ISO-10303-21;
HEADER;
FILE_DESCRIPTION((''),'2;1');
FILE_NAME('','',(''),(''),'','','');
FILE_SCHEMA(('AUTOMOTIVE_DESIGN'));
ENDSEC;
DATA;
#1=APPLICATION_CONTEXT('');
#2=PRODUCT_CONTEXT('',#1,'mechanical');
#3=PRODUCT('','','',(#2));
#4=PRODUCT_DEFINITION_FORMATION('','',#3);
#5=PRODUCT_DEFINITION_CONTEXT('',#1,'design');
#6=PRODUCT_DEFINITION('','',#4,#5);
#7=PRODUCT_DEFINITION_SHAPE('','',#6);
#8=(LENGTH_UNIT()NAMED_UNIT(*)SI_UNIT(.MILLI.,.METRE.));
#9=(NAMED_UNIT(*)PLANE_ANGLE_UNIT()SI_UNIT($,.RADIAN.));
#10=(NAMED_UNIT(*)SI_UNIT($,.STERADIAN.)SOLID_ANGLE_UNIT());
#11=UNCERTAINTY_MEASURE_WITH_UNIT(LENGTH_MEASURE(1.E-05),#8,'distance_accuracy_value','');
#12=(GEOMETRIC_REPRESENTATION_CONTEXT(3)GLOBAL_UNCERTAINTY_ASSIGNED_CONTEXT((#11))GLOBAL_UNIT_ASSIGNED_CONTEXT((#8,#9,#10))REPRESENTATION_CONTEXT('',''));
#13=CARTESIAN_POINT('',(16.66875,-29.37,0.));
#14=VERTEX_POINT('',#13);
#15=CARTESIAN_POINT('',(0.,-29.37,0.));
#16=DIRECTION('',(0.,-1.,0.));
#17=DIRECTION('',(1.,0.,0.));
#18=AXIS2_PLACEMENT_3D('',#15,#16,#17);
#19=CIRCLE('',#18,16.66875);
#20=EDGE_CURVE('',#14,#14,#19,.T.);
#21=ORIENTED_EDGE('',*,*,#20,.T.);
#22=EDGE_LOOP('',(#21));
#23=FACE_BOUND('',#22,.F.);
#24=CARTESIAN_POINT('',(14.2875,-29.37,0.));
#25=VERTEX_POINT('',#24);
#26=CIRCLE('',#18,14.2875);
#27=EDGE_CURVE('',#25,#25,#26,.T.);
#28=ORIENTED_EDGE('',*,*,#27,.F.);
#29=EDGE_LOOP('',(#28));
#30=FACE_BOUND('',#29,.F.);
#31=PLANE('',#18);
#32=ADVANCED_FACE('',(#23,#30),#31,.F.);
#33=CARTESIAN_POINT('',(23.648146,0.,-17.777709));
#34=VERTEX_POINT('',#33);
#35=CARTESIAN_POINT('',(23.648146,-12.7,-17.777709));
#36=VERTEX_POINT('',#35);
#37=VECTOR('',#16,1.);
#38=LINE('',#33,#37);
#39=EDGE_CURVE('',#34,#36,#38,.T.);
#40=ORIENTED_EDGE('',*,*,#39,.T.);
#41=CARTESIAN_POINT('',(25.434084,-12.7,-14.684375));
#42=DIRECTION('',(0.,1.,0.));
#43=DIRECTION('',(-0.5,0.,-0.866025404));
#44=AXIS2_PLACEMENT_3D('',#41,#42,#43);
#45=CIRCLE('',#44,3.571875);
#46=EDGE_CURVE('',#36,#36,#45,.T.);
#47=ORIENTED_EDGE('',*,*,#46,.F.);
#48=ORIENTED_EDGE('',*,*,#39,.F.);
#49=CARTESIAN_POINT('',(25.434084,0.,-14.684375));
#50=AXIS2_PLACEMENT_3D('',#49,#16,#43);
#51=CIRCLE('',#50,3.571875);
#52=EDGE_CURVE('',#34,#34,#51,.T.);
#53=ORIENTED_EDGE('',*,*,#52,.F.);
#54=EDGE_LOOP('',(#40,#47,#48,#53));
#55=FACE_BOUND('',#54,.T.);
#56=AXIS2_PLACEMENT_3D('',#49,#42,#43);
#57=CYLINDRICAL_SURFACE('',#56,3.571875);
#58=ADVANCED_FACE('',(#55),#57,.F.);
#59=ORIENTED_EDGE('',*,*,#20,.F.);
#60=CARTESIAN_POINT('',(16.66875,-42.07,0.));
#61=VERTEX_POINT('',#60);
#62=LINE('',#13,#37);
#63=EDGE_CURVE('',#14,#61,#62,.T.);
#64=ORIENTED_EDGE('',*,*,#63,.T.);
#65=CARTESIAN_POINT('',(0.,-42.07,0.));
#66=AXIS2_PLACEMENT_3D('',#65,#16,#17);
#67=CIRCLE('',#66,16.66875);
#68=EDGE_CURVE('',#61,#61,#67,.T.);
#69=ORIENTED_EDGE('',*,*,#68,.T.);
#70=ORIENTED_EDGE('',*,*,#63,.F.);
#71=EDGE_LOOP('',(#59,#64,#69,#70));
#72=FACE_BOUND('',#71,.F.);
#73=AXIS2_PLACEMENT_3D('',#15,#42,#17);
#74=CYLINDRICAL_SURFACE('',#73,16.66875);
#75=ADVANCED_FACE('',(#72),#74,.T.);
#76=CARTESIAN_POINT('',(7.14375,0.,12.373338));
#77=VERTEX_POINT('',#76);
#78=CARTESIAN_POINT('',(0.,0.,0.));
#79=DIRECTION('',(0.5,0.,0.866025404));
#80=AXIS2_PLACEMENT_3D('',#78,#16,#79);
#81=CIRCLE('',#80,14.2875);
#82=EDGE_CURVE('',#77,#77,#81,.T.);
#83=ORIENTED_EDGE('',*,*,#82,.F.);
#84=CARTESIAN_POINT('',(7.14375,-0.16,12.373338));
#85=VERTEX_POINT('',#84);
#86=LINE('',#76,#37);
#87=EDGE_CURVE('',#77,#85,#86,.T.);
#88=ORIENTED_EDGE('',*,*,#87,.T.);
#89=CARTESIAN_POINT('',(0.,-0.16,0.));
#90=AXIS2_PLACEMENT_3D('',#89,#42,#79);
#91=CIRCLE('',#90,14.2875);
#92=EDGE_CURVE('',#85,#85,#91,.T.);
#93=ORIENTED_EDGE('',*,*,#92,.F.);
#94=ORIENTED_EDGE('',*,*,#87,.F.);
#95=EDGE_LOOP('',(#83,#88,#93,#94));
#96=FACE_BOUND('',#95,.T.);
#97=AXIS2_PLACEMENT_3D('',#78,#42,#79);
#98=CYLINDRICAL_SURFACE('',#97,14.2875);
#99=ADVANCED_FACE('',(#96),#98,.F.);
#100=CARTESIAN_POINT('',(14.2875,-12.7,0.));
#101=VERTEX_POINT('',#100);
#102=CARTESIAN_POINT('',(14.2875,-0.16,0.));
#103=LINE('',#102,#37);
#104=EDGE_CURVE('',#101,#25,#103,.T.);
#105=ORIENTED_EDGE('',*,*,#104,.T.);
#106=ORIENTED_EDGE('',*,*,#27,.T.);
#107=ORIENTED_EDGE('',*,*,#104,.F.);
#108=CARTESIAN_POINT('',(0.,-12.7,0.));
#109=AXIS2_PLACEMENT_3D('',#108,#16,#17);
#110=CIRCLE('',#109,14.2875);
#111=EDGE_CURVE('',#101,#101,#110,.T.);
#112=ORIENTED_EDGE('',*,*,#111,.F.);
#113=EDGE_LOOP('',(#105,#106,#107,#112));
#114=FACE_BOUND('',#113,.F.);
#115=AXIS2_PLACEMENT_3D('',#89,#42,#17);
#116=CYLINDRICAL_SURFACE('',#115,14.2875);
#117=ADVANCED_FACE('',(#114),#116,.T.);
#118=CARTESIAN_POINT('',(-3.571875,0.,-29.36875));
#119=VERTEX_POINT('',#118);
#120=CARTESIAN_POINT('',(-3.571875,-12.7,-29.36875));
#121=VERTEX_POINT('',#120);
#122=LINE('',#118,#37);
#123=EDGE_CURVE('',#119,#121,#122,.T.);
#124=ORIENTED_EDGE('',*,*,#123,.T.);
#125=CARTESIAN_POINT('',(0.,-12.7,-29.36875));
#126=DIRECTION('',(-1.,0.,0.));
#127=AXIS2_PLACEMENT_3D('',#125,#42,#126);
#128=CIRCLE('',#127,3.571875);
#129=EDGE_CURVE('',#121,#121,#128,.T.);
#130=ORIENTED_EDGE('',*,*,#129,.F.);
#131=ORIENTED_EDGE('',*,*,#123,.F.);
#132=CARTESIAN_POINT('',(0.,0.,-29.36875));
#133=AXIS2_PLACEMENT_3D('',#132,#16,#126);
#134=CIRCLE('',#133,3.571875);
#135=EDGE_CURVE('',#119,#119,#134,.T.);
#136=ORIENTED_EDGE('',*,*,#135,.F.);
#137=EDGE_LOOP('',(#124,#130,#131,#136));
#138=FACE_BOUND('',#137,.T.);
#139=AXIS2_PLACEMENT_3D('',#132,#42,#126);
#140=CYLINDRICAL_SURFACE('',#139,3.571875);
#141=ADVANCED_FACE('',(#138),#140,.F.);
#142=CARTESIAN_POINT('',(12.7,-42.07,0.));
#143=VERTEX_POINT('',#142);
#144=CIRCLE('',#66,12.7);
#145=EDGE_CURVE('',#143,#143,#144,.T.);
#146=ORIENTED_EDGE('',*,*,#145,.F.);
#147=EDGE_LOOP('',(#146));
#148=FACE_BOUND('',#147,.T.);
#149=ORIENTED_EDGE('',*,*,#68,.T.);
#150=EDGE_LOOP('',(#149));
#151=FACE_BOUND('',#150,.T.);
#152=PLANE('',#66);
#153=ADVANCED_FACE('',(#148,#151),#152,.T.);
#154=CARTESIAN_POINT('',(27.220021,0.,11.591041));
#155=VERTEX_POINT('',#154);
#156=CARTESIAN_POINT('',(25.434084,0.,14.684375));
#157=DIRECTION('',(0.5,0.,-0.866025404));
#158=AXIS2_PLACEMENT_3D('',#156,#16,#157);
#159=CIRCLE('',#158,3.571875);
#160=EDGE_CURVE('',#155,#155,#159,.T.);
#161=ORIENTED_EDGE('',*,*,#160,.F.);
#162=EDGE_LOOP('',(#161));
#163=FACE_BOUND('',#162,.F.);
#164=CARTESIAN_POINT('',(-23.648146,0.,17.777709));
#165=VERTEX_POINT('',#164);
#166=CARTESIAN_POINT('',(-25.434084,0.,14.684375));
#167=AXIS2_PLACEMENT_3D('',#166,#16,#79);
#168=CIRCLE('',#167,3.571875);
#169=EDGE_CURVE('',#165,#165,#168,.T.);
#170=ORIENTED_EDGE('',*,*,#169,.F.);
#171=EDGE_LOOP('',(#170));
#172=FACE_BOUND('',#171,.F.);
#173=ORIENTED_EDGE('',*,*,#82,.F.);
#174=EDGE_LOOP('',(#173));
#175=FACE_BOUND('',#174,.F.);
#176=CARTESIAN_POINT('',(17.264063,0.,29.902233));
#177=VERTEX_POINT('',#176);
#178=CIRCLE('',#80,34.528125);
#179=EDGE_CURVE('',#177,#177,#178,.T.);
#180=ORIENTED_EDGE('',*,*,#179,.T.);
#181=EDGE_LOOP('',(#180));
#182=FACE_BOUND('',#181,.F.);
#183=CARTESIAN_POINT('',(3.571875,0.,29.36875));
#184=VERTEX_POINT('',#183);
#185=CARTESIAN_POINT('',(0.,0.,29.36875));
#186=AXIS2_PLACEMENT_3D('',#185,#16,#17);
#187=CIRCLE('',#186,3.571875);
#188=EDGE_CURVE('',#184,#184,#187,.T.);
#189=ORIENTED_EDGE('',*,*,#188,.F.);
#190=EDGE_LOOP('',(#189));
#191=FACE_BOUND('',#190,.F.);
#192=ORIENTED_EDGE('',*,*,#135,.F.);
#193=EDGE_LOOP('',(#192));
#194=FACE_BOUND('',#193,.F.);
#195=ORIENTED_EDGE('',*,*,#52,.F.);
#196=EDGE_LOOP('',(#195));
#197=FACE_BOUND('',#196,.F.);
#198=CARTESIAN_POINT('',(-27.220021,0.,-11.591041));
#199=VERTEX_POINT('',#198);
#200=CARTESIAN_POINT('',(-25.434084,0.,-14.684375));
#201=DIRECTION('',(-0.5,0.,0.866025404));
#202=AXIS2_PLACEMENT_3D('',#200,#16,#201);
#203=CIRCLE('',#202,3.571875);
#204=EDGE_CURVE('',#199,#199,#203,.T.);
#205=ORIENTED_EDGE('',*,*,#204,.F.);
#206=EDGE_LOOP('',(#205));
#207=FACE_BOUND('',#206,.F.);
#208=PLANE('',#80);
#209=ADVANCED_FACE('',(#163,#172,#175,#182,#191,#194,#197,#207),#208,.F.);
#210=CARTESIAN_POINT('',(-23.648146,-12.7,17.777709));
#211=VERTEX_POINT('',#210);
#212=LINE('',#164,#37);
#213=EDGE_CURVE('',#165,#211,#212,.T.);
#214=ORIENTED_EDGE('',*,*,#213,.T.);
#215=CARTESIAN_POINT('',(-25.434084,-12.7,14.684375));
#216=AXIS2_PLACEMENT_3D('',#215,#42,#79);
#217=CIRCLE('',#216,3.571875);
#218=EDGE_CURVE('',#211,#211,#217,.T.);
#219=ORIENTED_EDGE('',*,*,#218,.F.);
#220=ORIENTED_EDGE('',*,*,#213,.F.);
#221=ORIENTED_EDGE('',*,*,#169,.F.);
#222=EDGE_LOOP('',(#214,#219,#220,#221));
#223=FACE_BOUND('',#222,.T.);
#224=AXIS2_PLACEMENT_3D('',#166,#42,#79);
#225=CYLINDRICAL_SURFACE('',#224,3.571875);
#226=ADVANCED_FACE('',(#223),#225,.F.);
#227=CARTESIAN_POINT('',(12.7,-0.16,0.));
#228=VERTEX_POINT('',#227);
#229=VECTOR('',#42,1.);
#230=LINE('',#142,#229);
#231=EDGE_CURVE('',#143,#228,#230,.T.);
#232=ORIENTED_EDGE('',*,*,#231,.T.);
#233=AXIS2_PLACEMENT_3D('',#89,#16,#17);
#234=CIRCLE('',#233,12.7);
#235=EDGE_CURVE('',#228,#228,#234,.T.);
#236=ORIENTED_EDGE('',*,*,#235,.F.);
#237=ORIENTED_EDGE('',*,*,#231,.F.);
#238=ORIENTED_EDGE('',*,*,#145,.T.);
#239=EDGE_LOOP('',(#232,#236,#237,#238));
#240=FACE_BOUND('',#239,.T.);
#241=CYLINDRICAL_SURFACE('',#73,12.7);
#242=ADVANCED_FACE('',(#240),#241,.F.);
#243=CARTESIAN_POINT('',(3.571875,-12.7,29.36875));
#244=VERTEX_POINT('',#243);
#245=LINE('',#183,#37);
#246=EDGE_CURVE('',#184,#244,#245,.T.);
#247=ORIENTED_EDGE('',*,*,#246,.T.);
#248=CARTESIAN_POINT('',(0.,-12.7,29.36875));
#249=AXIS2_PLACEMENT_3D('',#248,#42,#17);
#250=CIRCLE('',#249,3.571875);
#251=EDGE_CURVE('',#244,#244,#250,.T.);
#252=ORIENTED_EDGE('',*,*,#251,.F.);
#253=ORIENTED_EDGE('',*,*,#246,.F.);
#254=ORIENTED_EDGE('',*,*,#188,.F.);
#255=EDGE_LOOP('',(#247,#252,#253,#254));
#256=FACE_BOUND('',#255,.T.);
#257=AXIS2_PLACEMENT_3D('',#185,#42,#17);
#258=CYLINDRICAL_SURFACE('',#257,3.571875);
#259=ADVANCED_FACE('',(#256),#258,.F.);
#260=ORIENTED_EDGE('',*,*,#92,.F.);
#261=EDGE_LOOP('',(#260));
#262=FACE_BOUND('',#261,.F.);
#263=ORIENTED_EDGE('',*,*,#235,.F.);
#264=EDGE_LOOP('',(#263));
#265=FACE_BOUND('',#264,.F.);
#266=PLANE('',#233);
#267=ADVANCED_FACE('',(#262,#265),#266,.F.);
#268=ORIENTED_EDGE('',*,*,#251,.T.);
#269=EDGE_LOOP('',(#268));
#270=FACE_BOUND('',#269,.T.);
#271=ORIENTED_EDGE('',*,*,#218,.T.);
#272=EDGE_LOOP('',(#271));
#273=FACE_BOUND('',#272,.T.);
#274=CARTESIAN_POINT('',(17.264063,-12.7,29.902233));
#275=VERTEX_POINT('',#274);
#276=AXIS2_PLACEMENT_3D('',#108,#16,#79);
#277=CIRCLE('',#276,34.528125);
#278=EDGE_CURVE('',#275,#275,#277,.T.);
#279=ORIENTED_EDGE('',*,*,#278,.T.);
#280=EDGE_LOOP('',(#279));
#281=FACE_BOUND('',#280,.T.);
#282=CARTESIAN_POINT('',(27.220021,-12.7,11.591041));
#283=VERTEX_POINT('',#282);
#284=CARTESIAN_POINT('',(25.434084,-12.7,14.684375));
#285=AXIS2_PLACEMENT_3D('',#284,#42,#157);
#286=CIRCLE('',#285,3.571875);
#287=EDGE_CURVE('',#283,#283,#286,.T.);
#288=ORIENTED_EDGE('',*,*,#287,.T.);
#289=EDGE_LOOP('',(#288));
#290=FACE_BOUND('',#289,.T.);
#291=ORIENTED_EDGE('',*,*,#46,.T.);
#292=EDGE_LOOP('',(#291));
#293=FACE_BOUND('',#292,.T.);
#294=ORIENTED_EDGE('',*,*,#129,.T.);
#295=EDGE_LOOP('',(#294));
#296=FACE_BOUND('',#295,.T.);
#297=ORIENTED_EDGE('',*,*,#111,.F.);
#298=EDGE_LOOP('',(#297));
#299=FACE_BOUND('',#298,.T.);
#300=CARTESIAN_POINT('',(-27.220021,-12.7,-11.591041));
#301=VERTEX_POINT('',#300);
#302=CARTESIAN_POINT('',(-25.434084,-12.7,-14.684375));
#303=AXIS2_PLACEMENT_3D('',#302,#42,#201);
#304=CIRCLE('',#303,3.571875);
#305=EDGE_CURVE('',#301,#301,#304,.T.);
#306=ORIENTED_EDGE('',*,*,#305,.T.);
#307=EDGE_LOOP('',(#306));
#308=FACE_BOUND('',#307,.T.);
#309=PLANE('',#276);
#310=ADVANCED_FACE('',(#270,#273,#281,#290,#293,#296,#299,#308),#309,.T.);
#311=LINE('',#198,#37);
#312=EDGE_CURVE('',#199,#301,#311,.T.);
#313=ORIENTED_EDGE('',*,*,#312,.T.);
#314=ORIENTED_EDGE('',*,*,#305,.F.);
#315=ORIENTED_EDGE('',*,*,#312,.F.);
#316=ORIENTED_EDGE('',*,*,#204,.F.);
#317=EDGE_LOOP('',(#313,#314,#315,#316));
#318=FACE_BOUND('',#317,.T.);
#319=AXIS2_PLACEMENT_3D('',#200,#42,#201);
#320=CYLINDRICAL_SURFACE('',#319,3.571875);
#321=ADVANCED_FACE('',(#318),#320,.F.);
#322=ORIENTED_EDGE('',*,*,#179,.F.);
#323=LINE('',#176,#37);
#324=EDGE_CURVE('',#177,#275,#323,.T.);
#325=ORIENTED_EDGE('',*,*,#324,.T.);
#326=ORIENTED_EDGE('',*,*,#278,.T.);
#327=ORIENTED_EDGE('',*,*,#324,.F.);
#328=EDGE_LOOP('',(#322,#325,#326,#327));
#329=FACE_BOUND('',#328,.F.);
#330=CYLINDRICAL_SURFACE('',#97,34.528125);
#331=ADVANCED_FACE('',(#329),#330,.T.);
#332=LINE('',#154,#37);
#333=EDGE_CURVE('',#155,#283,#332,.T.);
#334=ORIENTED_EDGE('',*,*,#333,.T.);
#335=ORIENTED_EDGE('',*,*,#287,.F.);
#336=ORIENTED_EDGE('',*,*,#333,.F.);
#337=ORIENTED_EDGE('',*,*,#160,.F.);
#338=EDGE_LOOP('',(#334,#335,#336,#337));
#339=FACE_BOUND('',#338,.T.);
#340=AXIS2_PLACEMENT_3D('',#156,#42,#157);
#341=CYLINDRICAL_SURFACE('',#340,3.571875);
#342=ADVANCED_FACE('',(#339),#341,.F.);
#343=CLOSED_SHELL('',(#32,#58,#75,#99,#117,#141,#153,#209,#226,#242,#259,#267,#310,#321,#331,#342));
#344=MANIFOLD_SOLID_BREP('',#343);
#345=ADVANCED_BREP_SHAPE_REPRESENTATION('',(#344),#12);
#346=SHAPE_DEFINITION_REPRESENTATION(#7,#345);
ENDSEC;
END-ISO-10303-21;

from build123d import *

# Parameters (mm, degrees)
SKETCH039_R            = 14.2875
SKETCH039_R_2          = 12.7
PAD036_DEPTH           = 29.21
SKETCH037_R            = 16.66875
SKETCH037_R_2          = 12.7
PAD041_DEPTH           = 12.7
SKETCH041_R            = 3.571875
PAD038_DEPTH           = 13
SKETCH040_R            = 34.528125
SKETCH040_R_2          = 14.2875
PAD037_DEPTH           = 12.7
CUT028_PLACEMENT_ANGLE = 60
CUT027_PLACEMENT_ANGLE = 60
CUT031_PLACEMENT_ANGLE = 60
CUT032_PLACEMENT_ANGLE = 60
CUT029_PLACEMENT_ANGLE = 60


with BuildPart() as body036:
    # Sketch039 → Pad036 (new body)
    with BuildSketch(Plane.XZ):
        Circle(SKETCH039_R)
        Circle(SKETCH039_R_2, mode=Mode.SUBTRACT)
    extrude(amount=PAD036_DEPTH)


with BuildPart() as body036_1:
    # Body036 placement: moved
    add(body036.part.moved(Location((0, -0.16, 0))))


with BuildPart() as body037:
    # Sketch037 → Pad041 (new body)
    with BuildSketch(Plane.XZ):
        Circle(SKETCH037_R)
        Circle(SKETCH037_R_2, mode=Mode.SUBTRACT)
    extrude(amount=PAD041_DEPTH)


with BuildPart() as body037_1:
    # Body037 placement: moved
    add(body037.part.moved(Location((0, -29.37, 0))))


with BuildPart() as body040:
    # Sketch041 → Pad038 (new body)
    with BuildSketch(Plane.XZ):
        with Locations((0, 29.36875)):
            Circle(SKETCH041_R)
    extrude(amount=PAD038_DEPTH)


with BuildPart() as fusion002:
    # Sketch040 → Pad037 (new body)
    with BuildSketch(Plane.XZ):
        Circle(SKETCH040_R)
        Circle(SKETCH040_R_2, mode=Mode.SUBTRACT)
    extrude(amount=PAD037_DEPTH)

    # Cut028: cut Body040
    add(body040.part, mode=Mode.SUBTRACT)


with BuildPart() as fusion002_1:
    # Cut028 placement: moved
    add(fusion002.part.rotate(Axis((0, 0, 0), (0, 1, 0)), CUT028_PLACEMENT_ANGLE))

    # Cut027: cut Body040
    add(body040.part, mode=Mode.SUBTRACT)


with BuildPart() as fusion002_2:
    # Cut027 placement: moved
    add(fusion002_1.part.rotate(Axis((0, 0, 0), (0, 1, 0)), CUT027_PLACEMENT_ANGLE))

    # Cut031: cut Body040
    add(body040.part, mode=Mode.SUBTRACT)


with BuildPart() as fusion002_3:
    # Cut031 placement: moved
    add(fusion002_2.part.rotate(Axis((0, 0, 0), (0, 1, 0)), CUT031_PLACEMENT_ANGLE))

    # Cut032: cut Body040
    add(body040.part, mode=Mode.SUBTRACT)


with BuildPart() as fusion002_4:
    # Cut032 placement: moved
    add(fusion002_3.part.rotate(Axis((0, 0, 0), (0, 1, 0)), CUT032_PLACEMENT_ANGLE))

    # Cut029: cut Body040
    add(body040.part, mode=Mode.SUBTRACT)


with BuildPart() as fusion002_5:
    # Cut029 placement: moved
    add(fusion002_4.part.rotate(Axis((0, 0, 0), (0, 1, 0)), CUT029_PLACEMENT_ANGLE))

    # Cut030: cut Body040
    add(body040.part, mode=Mode.SUBTRACT)

    # Fusion002: union Body036, Body037
    add(body036_1.part)
    add(body037_1.part)


solid = fusion002_5.part
